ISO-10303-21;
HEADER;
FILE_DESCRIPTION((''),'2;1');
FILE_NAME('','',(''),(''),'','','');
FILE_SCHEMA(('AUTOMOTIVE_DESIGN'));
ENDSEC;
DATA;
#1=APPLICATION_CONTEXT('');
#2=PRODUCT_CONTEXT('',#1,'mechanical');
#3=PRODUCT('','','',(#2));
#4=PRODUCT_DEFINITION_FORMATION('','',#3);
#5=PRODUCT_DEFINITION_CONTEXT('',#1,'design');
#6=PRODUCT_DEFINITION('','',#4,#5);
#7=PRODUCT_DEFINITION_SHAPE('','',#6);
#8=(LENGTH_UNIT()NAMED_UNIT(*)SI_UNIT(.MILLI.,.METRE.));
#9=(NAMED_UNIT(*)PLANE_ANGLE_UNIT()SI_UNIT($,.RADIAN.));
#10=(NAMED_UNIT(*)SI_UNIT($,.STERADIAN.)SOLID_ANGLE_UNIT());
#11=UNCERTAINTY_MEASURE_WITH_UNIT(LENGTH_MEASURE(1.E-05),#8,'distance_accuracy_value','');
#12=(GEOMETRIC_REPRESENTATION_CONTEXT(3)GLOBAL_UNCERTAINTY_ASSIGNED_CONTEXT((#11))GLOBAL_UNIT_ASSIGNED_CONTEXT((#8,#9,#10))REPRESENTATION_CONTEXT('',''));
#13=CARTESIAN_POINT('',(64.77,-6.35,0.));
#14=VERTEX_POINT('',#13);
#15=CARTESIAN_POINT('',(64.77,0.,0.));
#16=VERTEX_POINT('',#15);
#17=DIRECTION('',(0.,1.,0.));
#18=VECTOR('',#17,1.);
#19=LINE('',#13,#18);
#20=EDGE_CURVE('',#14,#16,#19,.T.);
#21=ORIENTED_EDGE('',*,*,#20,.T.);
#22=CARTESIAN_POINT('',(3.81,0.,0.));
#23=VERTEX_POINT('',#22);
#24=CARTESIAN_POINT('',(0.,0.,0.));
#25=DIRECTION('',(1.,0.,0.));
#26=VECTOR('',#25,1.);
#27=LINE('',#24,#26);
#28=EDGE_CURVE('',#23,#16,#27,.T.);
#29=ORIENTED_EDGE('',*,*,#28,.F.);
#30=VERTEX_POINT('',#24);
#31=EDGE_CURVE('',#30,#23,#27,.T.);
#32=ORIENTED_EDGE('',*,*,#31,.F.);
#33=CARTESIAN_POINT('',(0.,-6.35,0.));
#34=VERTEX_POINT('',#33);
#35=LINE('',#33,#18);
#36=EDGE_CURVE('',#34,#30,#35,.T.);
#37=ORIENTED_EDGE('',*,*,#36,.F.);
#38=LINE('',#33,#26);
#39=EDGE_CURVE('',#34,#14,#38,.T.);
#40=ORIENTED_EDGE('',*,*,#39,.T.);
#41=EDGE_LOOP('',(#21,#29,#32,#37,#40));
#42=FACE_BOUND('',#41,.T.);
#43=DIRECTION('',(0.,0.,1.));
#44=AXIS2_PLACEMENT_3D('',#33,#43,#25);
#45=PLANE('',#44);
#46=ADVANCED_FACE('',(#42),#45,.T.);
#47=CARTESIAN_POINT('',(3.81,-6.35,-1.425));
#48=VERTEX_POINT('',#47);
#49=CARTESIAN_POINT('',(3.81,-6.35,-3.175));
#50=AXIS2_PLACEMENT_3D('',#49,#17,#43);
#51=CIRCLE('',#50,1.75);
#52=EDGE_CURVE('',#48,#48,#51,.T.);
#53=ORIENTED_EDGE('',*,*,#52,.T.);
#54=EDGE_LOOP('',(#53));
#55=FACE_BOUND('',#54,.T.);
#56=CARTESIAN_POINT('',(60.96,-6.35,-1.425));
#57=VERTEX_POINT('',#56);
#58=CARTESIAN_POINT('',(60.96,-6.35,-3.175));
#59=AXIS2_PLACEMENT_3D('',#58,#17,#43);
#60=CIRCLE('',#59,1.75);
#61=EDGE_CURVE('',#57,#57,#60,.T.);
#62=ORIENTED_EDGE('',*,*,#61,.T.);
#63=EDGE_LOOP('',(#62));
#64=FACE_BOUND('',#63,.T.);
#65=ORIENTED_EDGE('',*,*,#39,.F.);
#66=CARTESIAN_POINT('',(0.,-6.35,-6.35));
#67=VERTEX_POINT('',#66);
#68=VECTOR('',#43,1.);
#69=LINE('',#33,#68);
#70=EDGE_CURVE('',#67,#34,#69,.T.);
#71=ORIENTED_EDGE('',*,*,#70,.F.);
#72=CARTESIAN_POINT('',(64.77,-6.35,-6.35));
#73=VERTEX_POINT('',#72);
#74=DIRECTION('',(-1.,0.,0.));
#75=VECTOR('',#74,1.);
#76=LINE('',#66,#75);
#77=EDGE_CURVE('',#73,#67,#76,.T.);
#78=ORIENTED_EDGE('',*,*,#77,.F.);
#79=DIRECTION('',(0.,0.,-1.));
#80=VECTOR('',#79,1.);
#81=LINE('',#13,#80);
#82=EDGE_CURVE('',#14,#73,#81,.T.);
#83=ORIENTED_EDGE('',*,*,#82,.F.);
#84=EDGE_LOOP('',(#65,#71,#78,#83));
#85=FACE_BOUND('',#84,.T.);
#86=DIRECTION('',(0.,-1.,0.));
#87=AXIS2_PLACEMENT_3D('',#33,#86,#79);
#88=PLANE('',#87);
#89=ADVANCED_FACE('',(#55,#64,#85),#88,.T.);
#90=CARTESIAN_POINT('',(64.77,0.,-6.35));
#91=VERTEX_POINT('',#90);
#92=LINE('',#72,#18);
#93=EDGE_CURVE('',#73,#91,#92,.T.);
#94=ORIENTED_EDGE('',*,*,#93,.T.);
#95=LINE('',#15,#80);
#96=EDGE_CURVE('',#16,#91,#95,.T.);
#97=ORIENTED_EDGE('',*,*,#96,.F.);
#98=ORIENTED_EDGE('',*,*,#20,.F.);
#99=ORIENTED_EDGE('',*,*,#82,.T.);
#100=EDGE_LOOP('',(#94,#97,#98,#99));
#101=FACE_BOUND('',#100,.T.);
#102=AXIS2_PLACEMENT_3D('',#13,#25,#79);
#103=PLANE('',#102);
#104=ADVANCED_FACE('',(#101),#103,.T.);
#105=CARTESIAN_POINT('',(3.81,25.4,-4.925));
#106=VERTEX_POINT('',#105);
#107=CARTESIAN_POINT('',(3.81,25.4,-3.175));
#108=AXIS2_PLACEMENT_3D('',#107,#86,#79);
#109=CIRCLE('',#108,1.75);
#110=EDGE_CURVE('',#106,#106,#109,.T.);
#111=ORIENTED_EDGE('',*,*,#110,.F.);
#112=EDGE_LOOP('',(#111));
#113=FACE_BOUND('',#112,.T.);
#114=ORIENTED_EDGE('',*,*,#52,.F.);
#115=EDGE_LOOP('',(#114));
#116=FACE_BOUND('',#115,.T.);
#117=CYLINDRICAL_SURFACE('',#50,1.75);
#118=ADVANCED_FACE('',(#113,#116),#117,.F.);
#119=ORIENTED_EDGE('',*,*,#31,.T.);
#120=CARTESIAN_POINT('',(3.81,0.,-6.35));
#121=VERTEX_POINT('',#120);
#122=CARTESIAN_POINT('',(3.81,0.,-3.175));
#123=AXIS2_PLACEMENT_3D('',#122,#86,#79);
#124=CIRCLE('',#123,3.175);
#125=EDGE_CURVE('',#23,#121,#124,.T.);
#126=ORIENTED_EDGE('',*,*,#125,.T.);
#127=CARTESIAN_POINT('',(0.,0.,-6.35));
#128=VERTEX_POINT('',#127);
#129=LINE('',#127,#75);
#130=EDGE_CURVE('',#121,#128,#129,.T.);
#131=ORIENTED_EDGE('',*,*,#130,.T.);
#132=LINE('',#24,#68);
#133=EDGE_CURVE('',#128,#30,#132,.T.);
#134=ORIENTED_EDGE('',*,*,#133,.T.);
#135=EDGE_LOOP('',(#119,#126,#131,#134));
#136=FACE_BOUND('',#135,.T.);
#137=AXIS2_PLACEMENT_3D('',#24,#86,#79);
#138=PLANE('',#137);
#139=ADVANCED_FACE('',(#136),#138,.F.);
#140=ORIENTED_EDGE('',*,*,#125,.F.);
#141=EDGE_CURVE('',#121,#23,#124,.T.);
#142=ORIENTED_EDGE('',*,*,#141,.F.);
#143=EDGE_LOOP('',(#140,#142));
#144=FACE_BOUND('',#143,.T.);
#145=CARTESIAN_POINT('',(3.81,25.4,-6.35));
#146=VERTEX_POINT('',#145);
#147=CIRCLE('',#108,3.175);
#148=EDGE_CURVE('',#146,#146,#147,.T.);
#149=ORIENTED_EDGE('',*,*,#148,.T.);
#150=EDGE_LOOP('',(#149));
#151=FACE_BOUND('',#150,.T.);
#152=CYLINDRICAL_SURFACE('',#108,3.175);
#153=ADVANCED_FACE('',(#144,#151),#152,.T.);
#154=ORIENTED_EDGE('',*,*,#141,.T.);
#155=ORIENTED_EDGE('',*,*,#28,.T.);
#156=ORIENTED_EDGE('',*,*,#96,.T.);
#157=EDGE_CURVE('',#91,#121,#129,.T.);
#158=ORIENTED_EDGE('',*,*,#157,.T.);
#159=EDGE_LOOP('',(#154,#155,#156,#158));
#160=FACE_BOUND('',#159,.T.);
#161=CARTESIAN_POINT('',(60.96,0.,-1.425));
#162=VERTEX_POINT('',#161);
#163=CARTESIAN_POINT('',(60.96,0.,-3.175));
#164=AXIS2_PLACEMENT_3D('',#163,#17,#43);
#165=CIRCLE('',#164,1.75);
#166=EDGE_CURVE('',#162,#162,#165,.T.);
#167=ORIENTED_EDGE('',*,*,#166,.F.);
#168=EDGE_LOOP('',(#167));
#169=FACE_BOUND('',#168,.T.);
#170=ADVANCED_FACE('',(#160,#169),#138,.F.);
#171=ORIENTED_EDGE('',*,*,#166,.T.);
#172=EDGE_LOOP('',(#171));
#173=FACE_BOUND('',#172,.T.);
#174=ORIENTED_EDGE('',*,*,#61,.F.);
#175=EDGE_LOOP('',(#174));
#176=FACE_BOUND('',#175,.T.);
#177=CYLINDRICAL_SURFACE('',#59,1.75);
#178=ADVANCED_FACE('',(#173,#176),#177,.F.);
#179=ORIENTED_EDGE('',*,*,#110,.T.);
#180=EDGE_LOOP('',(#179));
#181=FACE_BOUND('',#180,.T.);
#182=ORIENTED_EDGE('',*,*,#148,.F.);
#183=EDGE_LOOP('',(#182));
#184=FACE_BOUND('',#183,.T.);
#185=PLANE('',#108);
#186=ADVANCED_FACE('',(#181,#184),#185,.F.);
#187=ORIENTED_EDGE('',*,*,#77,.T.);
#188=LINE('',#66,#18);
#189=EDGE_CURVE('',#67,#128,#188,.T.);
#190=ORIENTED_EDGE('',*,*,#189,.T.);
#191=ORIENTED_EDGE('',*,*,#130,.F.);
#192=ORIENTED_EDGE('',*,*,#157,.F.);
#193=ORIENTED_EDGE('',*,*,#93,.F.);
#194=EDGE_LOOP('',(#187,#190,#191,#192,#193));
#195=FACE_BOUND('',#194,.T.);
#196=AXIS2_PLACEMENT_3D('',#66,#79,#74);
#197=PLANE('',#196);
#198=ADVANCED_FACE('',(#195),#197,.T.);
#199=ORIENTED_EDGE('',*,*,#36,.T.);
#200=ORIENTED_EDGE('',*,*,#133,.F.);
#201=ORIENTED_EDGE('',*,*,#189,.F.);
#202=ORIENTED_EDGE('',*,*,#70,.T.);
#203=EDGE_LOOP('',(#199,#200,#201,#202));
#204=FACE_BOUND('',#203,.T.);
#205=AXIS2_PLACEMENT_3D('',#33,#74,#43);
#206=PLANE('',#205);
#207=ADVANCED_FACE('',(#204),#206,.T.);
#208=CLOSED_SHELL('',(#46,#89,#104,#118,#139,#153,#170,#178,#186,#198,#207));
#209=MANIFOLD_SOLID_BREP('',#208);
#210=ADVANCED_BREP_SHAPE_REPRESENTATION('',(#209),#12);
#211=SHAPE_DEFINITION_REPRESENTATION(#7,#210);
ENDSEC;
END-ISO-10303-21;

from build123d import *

# Parameters (mm, degrees)
SKETCH1_W           = 64.77
SKETCH1_H           = 6.35
SKETCH1_R           = 1.75
BOSS_EXTRUDE1_DEPTH = 6.35
BOSS_EXTRUDE2_START = -31.75
SKETCH2_R           = 3.175
SKETCH2_R_2         = 1.75
BOSS_EXTRUDE2_DEPTH = 25.4


with BuildPart() as part:
    # Sketch1 → Boss-Extrude1 (new body)
    with BuildSketch(Plane(origin=(0, 0, 0), x_dir=(1, 0, 0), z_dir=(0, 1, 0))):
        with Locations((32.385, 3.175)):
            Rectangle(SKETCH1_W, SKETCH1_H)
        with Locations(Location((3.81, 3.175, 0), (0, 0, 270))):
            Circle(SKETCH1_R, mode=Mode.SUBTRACT)
        with Locations(Location((60.96, 3.175, 0), (0, 0, 270))):
            Circle(SKETCH1_R, mode=Mode.SUBTRACT)
    extrude(amount=-BOSS_EXTRUDE1_DEPTH)

    # Sketch2 → Boss-Extrude2 (add)
    with BuildSketch(Plane.XZ.offset(6.35).offset(BOSS_EXTRUDE2_START)):
        with Locations(Location((3.81, -3.175, 0), (0, 0, 270))):
            Circle(SKETCH2_R)
        with Locations(Location((3.81, -3.175, 0), (0, 0, 90))):
            Circle(SKETCH2_R_2, mode=Mode.SUBTRACT)
    extrude(amount=BOSS_EXTRUDE2_DEPTH)


solid = part.part
